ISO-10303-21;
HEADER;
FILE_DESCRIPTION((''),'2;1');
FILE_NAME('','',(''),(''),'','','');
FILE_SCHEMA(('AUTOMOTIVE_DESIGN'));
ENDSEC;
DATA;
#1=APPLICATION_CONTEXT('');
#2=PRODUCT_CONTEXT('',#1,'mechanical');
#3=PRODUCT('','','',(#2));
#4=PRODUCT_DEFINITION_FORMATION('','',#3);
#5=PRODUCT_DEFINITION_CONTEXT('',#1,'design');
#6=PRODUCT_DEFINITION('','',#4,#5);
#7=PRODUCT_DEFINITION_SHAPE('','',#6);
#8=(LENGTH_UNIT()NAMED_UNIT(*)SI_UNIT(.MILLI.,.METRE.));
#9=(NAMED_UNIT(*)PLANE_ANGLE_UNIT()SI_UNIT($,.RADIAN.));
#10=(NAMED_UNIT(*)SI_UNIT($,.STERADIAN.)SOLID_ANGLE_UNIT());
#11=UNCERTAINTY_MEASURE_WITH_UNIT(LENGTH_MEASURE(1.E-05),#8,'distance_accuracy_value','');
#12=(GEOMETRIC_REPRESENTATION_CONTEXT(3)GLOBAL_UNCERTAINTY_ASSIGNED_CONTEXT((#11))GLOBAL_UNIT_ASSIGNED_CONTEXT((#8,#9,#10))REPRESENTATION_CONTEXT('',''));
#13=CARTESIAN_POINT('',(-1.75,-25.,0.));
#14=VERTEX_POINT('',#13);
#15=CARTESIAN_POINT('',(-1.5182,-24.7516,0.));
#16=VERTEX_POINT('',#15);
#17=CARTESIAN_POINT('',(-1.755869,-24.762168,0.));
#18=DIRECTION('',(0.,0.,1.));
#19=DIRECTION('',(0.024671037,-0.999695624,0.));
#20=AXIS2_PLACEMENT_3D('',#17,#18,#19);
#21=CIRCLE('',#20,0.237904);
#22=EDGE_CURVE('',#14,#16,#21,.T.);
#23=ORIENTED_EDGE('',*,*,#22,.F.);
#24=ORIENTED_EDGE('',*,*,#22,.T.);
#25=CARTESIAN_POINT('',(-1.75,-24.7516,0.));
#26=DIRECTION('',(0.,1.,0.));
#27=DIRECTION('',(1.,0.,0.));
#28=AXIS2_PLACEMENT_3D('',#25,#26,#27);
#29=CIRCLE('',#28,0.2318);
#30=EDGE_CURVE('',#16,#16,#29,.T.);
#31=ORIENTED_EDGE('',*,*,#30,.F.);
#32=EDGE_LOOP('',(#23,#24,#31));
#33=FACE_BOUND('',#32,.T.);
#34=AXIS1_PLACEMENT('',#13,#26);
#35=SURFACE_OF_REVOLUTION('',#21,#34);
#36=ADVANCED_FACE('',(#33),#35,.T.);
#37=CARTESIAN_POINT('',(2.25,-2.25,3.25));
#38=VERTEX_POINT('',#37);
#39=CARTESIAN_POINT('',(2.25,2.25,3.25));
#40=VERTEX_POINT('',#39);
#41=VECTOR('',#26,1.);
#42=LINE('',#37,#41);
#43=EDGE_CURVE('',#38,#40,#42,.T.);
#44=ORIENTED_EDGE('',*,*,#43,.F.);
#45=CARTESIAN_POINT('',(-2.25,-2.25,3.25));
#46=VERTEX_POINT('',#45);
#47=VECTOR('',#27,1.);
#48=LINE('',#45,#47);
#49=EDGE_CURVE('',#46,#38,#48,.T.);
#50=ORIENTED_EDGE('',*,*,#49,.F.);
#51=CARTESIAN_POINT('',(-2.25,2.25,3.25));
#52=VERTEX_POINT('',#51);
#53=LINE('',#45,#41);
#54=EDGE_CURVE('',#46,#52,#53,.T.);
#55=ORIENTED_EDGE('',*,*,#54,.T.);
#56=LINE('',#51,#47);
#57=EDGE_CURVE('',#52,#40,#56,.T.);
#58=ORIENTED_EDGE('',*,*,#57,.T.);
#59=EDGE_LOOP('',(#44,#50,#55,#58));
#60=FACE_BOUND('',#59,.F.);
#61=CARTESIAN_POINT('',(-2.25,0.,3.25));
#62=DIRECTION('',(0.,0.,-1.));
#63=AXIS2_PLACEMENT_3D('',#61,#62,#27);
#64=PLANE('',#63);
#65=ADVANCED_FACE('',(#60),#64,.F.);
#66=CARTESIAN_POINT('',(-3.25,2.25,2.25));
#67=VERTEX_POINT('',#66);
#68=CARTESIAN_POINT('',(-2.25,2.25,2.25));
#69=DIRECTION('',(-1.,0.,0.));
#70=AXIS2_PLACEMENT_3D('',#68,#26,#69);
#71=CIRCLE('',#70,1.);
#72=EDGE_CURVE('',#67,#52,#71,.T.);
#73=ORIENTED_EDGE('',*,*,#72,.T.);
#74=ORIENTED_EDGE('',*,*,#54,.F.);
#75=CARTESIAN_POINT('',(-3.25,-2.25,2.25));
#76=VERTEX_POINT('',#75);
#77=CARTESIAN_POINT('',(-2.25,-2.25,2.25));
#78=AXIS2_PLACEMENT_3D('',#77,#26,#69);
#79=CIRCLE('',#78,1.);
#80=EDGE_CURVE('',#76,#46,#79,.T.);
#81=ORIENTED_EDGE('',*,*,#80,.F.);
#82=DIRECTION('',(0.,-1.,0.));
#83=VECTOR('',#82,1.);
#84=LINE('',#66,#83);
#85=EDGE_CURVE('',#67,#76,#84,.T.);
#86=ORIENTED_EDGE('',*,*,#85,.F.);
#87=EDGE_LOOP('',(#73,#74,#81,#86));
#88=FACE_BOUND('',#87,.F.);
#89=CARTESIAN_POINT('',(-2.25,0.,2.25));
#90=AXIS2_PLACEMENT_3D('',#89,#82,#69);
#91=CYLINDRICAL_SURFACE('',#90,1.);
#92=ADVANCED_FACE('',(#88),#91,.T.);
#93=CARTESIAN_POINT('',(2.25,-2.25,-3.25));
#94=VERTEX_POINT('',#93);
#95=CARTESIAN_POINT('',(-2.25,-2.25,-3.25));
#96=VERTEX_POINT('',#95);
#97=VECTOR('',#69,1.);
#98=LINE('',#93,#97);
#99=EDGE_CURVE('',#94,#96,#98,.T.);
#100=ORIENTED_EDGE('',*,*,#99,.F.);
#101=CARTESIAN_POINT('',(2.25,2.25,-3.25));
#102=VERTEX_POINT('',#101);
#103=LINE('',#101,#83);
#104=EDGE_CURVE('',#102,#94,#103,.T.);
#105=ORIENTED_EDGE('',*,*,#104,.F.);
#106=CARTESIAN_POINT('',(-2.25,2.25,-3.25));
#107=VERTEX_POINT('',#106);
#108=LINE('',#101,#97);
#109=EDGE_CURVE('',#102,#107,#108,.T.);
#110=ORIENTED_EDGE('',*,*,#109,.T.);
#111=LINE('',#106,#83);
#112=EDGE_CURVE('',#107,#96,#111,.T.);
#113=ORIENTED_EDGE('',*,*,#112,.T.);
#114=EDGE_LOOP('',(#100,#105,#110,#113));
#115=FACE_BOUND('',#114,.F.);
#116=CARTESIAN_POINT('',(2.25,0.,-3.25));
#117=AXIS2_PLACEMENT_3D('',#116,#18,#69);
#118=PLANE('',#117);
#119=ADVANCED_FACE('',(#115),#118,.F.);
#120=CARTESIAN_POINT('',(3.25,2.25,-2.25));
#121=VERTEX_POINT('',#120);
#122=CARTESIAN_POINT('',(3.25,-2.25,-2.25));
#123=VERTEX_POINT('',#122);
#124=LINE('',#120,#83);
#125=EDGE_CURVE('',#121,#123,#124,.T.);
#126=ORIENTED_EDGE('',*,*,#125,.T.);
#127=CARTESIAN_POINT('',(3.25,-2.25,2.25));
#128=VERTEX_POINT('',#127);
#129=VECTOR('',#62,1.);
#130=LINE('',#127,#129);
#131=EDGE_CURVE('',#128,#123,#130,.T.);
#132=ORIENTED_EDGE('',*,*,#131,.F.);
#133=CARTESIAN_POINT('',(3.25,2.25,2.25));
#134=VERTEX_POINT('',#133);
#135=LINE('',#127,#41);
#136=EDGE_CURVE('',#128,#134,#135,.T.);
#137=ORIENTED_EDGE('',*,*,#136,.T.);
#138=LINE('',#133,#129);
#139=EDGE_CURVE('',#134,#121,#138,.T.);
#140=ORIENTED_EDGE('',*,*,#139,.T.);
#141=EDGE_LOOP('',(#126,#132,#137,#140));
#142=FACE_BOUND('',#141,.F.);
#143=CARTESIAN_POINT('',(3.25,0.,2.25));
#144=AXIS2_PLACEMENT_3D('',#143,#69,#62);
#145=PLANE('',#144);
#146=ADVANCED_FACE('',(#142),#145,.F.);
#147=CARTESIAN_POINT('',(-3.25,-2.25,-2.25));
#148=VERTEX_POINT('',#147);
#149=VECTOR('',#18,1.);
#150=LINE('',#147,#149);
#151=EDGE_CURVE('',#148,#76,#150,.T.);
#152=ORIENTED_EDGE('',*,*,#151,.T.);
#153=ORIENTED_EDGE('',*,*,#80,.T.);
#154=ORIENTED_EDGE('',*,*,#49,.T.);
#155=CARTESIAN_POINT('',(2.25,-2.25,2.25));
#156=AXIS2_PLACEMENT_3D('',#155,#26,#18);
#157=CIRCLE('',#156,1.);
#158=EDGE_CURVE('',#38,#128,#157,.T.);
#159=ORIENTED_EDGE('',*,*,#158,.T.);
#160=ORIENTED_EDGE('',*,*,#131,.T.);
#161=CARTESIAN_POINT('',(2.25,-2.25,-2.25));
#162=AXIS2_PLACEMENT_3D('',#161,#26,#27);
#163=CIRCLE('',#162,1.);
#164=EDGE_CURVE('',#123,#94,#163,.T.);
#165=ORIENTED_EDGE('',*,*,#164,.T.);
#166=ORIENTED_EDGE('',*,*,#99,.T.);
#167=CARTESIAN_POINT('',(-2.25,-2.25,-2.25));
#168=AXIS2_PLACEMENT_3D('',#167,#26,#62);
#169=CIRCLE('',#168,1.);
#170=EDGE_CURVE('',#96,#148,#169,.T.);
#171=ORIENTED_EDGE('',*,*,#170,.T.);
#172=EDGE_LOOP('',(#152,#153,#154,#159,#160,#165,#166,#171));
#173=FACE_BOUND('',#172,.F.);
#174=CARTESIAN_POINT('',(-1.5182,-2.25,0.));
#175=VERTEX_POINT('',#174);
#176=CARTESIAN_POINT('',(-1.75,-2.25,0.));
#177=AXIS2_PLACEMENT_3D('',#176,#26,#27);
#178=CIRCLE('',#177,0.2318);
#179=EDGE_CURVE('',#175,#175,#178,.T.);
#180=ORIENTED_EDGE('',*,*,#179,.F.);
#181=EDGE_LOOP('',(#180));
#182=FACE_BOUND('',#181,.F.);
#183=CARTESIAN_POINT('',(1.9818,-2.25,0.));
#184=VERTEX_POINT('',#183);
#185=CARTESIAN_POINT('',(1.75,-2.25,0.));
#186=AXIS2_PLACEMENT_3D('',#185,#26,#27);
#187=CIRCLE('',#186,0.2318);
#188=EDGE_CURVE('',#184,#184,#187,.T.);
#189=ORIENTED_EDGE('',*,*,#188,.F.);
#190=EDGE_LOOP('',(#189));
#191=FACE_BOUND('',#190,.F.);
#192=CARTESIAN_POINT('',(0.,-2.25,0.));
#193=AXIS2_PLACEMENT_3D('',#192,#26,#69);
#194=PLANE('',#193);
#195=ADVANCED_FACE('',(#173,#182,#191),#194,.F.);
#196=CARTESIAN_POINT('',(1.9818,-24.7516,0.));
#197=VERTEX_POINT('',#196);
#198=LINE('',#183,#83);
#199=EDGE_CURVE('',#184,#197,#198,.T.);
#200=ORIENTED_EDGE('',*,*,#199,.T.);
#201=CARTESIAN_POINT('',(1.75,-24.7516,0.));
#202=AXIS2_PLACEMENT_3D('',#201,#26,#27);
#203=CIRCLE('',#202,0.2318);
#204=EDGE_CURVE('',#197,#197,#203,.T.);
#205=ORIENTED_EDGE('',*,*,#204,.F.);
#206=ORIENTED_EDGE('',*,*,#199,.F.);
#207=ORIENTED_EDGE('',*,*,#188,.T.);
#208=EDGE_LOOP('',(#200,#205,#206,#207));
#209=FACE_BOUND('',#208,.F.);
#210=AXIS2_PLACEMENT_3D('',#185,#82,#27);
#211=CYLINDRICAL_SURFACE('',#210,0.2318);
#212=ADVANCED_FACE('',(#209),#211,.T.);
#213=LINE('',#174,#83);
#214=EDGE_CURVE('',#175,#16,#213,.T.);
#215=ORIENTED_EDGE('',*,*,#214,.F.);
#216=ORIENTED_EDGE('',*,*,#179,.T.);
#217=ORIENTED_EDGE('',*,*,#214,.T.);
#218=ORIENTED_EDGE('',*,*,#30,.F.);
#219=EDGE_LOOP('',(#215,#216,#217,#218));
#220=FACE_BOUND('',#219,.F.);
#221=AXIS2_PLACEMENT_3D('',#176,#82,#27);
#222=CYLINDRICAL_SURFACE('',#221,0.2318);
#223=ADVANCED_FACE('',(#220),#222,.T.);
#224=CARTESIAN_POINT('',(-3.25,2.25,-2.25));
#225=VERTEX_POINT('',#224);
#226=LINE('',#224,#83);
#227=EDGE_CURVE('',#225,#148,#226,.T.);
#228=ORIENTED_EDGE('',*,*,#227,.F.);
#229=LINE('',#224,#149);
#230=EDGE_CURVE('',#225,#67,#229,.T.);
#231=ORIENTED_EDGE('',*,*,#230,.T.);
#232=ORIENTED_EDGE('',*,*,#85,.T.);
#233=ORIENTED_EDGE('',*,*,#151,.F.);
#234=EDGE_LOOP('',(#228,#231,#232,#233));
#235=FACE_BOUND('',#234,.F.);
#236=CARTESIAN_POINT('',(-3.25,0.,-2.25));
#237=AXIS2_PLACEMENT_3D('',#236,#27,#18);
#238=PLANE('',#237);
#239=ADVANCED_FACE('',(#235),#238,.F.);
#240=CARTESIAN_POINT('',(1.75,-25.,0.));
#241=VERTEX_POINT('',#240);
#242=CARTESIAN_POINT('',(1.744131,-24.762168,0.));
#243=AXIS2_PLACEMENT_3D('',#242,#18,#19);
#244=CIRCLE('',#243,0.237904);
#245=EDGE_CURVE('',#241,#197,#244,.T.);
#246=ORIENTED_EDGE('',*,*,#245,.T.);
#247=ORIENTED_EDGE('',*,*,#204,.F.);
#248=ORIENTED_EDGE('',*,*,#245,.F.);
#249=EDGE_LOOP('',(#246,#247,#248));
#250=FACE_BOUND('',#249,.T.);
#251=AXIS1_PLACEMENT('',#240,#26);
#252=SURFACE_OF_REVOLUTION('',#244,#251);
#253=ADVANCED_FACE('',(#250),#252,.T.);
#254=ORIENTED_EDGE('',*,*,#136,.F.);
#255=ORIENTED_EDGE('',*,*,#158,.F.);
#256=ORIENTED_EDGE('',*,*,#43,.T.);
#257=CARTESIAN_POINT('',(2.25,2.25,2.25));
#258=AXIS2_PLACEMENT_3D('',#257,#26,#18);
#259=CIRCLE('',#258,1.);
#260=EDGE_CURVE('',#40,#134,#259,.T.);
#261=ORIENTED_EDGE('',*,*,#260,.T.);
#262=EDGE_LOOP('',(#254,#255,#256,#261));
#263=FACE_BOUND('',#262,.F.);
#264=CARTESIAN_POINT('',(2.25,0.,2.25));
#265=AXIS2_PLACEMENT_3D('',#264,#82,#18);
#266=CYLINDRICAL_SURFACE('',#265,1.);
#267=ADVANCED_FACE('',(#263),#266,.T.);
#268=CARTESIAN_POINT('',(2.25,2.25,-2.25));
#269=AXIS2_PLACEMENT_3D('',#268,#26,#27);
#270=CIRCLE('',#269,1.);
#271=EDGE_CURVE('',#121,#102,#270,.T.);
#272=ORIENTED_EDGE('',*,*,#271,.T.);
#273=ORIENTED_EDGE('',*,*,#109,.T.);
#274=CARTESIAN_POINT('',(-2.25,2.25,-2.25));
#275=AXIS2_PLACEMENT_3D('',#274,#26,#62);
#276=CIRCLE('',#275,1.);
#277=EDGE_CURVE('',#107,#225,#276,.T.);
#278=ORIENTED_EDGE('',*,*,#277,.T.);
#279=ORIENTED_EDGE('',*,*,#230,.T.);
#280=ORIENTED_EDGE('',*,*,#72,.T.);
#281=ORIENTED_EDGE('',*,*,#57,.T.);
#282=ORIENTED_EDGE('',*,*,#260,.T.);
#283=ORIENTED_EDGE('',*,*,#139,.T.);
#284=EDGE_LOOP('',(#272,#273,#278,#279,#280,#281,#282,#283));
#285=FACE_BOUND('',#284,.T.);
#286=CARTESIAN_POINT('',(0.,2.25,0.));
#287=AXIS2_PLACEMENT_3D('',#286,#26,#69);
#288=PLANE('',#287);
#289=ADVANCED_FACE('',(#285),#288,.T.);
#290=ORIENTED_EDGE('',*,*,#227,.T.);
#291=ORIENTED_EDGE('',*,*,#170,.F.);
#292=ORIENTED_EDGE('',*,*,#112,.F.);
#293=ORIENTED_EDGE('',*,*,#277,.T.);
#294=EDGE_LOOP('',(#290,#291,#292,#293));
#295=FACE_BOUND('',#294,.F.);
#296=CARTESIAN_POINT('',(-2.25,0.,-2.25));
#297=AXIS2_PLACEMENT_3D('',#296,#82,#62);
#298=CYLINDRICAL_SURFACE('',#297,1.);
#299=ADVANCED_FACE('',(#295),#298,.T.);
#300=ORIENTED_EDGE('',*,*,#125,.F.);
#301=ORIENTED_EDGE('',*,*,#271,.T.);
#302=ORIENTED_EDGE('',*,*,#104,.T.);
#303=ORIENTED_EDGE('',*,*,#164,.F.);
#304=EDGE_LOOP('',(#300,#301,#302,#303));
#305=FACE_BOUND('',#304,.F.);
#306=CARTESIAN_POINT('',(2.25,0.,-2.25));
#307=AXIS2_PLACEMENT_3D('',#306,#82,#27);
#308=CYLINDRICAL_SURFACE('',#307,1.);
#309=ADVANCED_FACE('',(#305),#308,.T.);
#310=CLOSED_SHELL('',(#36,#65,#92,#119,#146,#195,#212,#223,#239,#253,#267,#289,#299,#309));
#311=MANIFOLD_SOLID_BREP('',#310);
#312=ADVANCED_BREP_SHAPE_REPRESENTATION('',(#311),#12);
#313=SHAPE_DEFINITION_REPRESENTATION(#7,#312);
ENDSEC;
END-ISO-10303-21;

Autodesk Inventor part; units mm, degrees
ref_plane "YZ Plane" through (0, 0, 0) normal (1, 0, 0) x (0, 1, 0)
ref_plane "XZ Plane" through (0, 0, 0) normal (0, 1, 0) x (-1, 0, 0)
ref_plane "XY Plane" through (0, 0, 0) normal (0, 0, 1) x (1, 0, 0)
sketch "Sketch1" plane through (0, 0, 0) normal (0, 1, 0) x (-1, 0, 0)
  line L0 (2.25, 3.25) -> (-2.25, 3.25)
  line L1 (-3.25, 2.25) -> (-3.25, -2.25)
  line L2 (-2.25, -3.25) -> (2.25, -3.25)
  line L3 (3.25, -2.25) -> (3.25, 2.25)
  line L4 (3.25, 3.25) -> (-3.25, -3.25) construction
  line L5 (-3.25, 3.25) -> (3.25, -3.25) construction
  arc A0 (-3.25, -2.25) -> (-2.25, -3.25) centre (-2.25, -2.25) ccw
  arc A1 (2.25, -3.25) -> (3.25, -2.25) centre (2.25, -2.25) ccw
  arc A2 (3.25, 2.25) -> (2.25, 3.25) centre (2.25, 2.25) ccw
  arc A3 (-2.25, 3.25) -> (-3.25, 2.25) centre (-2.25, 2.25) ccw
  point P0 (0, 0)
  dimension "d0" = 6.5
  dimension "d1" = 6.5
  dimension "d4" = 1
extrude "Extrusion1" add sketch "Sketch1" along normal mid plane 4.5
sketch "Sketch4" plane through (0, 0, 0) normal (0, 0, 1) x (1, 0, 0)
  line L0 (-1.75, -25) -> (-1.75, -2.25)
  line L1 (-1.75, -2.25) -> (-1.5182, -2.25)
  line L2 (-1.5182, -2.25) -> (-1.5182, -24.7516)
  arc A0 (-1.75, -25) -> (-1.5182, -24.7516) centre (-1.7559, -24.7621) ccw
  point P0 (0, 0)
revolve "Revolution1" add sketch "Sketch4" angle 360 about axis through (-1.75, -25, 0) along (0, 1, 0)
pattern_linear "Rectangular Pattern3" count 2 spacing 3.5 along (1, 0, 0) of "Revolution1"
properties part number "A54"
